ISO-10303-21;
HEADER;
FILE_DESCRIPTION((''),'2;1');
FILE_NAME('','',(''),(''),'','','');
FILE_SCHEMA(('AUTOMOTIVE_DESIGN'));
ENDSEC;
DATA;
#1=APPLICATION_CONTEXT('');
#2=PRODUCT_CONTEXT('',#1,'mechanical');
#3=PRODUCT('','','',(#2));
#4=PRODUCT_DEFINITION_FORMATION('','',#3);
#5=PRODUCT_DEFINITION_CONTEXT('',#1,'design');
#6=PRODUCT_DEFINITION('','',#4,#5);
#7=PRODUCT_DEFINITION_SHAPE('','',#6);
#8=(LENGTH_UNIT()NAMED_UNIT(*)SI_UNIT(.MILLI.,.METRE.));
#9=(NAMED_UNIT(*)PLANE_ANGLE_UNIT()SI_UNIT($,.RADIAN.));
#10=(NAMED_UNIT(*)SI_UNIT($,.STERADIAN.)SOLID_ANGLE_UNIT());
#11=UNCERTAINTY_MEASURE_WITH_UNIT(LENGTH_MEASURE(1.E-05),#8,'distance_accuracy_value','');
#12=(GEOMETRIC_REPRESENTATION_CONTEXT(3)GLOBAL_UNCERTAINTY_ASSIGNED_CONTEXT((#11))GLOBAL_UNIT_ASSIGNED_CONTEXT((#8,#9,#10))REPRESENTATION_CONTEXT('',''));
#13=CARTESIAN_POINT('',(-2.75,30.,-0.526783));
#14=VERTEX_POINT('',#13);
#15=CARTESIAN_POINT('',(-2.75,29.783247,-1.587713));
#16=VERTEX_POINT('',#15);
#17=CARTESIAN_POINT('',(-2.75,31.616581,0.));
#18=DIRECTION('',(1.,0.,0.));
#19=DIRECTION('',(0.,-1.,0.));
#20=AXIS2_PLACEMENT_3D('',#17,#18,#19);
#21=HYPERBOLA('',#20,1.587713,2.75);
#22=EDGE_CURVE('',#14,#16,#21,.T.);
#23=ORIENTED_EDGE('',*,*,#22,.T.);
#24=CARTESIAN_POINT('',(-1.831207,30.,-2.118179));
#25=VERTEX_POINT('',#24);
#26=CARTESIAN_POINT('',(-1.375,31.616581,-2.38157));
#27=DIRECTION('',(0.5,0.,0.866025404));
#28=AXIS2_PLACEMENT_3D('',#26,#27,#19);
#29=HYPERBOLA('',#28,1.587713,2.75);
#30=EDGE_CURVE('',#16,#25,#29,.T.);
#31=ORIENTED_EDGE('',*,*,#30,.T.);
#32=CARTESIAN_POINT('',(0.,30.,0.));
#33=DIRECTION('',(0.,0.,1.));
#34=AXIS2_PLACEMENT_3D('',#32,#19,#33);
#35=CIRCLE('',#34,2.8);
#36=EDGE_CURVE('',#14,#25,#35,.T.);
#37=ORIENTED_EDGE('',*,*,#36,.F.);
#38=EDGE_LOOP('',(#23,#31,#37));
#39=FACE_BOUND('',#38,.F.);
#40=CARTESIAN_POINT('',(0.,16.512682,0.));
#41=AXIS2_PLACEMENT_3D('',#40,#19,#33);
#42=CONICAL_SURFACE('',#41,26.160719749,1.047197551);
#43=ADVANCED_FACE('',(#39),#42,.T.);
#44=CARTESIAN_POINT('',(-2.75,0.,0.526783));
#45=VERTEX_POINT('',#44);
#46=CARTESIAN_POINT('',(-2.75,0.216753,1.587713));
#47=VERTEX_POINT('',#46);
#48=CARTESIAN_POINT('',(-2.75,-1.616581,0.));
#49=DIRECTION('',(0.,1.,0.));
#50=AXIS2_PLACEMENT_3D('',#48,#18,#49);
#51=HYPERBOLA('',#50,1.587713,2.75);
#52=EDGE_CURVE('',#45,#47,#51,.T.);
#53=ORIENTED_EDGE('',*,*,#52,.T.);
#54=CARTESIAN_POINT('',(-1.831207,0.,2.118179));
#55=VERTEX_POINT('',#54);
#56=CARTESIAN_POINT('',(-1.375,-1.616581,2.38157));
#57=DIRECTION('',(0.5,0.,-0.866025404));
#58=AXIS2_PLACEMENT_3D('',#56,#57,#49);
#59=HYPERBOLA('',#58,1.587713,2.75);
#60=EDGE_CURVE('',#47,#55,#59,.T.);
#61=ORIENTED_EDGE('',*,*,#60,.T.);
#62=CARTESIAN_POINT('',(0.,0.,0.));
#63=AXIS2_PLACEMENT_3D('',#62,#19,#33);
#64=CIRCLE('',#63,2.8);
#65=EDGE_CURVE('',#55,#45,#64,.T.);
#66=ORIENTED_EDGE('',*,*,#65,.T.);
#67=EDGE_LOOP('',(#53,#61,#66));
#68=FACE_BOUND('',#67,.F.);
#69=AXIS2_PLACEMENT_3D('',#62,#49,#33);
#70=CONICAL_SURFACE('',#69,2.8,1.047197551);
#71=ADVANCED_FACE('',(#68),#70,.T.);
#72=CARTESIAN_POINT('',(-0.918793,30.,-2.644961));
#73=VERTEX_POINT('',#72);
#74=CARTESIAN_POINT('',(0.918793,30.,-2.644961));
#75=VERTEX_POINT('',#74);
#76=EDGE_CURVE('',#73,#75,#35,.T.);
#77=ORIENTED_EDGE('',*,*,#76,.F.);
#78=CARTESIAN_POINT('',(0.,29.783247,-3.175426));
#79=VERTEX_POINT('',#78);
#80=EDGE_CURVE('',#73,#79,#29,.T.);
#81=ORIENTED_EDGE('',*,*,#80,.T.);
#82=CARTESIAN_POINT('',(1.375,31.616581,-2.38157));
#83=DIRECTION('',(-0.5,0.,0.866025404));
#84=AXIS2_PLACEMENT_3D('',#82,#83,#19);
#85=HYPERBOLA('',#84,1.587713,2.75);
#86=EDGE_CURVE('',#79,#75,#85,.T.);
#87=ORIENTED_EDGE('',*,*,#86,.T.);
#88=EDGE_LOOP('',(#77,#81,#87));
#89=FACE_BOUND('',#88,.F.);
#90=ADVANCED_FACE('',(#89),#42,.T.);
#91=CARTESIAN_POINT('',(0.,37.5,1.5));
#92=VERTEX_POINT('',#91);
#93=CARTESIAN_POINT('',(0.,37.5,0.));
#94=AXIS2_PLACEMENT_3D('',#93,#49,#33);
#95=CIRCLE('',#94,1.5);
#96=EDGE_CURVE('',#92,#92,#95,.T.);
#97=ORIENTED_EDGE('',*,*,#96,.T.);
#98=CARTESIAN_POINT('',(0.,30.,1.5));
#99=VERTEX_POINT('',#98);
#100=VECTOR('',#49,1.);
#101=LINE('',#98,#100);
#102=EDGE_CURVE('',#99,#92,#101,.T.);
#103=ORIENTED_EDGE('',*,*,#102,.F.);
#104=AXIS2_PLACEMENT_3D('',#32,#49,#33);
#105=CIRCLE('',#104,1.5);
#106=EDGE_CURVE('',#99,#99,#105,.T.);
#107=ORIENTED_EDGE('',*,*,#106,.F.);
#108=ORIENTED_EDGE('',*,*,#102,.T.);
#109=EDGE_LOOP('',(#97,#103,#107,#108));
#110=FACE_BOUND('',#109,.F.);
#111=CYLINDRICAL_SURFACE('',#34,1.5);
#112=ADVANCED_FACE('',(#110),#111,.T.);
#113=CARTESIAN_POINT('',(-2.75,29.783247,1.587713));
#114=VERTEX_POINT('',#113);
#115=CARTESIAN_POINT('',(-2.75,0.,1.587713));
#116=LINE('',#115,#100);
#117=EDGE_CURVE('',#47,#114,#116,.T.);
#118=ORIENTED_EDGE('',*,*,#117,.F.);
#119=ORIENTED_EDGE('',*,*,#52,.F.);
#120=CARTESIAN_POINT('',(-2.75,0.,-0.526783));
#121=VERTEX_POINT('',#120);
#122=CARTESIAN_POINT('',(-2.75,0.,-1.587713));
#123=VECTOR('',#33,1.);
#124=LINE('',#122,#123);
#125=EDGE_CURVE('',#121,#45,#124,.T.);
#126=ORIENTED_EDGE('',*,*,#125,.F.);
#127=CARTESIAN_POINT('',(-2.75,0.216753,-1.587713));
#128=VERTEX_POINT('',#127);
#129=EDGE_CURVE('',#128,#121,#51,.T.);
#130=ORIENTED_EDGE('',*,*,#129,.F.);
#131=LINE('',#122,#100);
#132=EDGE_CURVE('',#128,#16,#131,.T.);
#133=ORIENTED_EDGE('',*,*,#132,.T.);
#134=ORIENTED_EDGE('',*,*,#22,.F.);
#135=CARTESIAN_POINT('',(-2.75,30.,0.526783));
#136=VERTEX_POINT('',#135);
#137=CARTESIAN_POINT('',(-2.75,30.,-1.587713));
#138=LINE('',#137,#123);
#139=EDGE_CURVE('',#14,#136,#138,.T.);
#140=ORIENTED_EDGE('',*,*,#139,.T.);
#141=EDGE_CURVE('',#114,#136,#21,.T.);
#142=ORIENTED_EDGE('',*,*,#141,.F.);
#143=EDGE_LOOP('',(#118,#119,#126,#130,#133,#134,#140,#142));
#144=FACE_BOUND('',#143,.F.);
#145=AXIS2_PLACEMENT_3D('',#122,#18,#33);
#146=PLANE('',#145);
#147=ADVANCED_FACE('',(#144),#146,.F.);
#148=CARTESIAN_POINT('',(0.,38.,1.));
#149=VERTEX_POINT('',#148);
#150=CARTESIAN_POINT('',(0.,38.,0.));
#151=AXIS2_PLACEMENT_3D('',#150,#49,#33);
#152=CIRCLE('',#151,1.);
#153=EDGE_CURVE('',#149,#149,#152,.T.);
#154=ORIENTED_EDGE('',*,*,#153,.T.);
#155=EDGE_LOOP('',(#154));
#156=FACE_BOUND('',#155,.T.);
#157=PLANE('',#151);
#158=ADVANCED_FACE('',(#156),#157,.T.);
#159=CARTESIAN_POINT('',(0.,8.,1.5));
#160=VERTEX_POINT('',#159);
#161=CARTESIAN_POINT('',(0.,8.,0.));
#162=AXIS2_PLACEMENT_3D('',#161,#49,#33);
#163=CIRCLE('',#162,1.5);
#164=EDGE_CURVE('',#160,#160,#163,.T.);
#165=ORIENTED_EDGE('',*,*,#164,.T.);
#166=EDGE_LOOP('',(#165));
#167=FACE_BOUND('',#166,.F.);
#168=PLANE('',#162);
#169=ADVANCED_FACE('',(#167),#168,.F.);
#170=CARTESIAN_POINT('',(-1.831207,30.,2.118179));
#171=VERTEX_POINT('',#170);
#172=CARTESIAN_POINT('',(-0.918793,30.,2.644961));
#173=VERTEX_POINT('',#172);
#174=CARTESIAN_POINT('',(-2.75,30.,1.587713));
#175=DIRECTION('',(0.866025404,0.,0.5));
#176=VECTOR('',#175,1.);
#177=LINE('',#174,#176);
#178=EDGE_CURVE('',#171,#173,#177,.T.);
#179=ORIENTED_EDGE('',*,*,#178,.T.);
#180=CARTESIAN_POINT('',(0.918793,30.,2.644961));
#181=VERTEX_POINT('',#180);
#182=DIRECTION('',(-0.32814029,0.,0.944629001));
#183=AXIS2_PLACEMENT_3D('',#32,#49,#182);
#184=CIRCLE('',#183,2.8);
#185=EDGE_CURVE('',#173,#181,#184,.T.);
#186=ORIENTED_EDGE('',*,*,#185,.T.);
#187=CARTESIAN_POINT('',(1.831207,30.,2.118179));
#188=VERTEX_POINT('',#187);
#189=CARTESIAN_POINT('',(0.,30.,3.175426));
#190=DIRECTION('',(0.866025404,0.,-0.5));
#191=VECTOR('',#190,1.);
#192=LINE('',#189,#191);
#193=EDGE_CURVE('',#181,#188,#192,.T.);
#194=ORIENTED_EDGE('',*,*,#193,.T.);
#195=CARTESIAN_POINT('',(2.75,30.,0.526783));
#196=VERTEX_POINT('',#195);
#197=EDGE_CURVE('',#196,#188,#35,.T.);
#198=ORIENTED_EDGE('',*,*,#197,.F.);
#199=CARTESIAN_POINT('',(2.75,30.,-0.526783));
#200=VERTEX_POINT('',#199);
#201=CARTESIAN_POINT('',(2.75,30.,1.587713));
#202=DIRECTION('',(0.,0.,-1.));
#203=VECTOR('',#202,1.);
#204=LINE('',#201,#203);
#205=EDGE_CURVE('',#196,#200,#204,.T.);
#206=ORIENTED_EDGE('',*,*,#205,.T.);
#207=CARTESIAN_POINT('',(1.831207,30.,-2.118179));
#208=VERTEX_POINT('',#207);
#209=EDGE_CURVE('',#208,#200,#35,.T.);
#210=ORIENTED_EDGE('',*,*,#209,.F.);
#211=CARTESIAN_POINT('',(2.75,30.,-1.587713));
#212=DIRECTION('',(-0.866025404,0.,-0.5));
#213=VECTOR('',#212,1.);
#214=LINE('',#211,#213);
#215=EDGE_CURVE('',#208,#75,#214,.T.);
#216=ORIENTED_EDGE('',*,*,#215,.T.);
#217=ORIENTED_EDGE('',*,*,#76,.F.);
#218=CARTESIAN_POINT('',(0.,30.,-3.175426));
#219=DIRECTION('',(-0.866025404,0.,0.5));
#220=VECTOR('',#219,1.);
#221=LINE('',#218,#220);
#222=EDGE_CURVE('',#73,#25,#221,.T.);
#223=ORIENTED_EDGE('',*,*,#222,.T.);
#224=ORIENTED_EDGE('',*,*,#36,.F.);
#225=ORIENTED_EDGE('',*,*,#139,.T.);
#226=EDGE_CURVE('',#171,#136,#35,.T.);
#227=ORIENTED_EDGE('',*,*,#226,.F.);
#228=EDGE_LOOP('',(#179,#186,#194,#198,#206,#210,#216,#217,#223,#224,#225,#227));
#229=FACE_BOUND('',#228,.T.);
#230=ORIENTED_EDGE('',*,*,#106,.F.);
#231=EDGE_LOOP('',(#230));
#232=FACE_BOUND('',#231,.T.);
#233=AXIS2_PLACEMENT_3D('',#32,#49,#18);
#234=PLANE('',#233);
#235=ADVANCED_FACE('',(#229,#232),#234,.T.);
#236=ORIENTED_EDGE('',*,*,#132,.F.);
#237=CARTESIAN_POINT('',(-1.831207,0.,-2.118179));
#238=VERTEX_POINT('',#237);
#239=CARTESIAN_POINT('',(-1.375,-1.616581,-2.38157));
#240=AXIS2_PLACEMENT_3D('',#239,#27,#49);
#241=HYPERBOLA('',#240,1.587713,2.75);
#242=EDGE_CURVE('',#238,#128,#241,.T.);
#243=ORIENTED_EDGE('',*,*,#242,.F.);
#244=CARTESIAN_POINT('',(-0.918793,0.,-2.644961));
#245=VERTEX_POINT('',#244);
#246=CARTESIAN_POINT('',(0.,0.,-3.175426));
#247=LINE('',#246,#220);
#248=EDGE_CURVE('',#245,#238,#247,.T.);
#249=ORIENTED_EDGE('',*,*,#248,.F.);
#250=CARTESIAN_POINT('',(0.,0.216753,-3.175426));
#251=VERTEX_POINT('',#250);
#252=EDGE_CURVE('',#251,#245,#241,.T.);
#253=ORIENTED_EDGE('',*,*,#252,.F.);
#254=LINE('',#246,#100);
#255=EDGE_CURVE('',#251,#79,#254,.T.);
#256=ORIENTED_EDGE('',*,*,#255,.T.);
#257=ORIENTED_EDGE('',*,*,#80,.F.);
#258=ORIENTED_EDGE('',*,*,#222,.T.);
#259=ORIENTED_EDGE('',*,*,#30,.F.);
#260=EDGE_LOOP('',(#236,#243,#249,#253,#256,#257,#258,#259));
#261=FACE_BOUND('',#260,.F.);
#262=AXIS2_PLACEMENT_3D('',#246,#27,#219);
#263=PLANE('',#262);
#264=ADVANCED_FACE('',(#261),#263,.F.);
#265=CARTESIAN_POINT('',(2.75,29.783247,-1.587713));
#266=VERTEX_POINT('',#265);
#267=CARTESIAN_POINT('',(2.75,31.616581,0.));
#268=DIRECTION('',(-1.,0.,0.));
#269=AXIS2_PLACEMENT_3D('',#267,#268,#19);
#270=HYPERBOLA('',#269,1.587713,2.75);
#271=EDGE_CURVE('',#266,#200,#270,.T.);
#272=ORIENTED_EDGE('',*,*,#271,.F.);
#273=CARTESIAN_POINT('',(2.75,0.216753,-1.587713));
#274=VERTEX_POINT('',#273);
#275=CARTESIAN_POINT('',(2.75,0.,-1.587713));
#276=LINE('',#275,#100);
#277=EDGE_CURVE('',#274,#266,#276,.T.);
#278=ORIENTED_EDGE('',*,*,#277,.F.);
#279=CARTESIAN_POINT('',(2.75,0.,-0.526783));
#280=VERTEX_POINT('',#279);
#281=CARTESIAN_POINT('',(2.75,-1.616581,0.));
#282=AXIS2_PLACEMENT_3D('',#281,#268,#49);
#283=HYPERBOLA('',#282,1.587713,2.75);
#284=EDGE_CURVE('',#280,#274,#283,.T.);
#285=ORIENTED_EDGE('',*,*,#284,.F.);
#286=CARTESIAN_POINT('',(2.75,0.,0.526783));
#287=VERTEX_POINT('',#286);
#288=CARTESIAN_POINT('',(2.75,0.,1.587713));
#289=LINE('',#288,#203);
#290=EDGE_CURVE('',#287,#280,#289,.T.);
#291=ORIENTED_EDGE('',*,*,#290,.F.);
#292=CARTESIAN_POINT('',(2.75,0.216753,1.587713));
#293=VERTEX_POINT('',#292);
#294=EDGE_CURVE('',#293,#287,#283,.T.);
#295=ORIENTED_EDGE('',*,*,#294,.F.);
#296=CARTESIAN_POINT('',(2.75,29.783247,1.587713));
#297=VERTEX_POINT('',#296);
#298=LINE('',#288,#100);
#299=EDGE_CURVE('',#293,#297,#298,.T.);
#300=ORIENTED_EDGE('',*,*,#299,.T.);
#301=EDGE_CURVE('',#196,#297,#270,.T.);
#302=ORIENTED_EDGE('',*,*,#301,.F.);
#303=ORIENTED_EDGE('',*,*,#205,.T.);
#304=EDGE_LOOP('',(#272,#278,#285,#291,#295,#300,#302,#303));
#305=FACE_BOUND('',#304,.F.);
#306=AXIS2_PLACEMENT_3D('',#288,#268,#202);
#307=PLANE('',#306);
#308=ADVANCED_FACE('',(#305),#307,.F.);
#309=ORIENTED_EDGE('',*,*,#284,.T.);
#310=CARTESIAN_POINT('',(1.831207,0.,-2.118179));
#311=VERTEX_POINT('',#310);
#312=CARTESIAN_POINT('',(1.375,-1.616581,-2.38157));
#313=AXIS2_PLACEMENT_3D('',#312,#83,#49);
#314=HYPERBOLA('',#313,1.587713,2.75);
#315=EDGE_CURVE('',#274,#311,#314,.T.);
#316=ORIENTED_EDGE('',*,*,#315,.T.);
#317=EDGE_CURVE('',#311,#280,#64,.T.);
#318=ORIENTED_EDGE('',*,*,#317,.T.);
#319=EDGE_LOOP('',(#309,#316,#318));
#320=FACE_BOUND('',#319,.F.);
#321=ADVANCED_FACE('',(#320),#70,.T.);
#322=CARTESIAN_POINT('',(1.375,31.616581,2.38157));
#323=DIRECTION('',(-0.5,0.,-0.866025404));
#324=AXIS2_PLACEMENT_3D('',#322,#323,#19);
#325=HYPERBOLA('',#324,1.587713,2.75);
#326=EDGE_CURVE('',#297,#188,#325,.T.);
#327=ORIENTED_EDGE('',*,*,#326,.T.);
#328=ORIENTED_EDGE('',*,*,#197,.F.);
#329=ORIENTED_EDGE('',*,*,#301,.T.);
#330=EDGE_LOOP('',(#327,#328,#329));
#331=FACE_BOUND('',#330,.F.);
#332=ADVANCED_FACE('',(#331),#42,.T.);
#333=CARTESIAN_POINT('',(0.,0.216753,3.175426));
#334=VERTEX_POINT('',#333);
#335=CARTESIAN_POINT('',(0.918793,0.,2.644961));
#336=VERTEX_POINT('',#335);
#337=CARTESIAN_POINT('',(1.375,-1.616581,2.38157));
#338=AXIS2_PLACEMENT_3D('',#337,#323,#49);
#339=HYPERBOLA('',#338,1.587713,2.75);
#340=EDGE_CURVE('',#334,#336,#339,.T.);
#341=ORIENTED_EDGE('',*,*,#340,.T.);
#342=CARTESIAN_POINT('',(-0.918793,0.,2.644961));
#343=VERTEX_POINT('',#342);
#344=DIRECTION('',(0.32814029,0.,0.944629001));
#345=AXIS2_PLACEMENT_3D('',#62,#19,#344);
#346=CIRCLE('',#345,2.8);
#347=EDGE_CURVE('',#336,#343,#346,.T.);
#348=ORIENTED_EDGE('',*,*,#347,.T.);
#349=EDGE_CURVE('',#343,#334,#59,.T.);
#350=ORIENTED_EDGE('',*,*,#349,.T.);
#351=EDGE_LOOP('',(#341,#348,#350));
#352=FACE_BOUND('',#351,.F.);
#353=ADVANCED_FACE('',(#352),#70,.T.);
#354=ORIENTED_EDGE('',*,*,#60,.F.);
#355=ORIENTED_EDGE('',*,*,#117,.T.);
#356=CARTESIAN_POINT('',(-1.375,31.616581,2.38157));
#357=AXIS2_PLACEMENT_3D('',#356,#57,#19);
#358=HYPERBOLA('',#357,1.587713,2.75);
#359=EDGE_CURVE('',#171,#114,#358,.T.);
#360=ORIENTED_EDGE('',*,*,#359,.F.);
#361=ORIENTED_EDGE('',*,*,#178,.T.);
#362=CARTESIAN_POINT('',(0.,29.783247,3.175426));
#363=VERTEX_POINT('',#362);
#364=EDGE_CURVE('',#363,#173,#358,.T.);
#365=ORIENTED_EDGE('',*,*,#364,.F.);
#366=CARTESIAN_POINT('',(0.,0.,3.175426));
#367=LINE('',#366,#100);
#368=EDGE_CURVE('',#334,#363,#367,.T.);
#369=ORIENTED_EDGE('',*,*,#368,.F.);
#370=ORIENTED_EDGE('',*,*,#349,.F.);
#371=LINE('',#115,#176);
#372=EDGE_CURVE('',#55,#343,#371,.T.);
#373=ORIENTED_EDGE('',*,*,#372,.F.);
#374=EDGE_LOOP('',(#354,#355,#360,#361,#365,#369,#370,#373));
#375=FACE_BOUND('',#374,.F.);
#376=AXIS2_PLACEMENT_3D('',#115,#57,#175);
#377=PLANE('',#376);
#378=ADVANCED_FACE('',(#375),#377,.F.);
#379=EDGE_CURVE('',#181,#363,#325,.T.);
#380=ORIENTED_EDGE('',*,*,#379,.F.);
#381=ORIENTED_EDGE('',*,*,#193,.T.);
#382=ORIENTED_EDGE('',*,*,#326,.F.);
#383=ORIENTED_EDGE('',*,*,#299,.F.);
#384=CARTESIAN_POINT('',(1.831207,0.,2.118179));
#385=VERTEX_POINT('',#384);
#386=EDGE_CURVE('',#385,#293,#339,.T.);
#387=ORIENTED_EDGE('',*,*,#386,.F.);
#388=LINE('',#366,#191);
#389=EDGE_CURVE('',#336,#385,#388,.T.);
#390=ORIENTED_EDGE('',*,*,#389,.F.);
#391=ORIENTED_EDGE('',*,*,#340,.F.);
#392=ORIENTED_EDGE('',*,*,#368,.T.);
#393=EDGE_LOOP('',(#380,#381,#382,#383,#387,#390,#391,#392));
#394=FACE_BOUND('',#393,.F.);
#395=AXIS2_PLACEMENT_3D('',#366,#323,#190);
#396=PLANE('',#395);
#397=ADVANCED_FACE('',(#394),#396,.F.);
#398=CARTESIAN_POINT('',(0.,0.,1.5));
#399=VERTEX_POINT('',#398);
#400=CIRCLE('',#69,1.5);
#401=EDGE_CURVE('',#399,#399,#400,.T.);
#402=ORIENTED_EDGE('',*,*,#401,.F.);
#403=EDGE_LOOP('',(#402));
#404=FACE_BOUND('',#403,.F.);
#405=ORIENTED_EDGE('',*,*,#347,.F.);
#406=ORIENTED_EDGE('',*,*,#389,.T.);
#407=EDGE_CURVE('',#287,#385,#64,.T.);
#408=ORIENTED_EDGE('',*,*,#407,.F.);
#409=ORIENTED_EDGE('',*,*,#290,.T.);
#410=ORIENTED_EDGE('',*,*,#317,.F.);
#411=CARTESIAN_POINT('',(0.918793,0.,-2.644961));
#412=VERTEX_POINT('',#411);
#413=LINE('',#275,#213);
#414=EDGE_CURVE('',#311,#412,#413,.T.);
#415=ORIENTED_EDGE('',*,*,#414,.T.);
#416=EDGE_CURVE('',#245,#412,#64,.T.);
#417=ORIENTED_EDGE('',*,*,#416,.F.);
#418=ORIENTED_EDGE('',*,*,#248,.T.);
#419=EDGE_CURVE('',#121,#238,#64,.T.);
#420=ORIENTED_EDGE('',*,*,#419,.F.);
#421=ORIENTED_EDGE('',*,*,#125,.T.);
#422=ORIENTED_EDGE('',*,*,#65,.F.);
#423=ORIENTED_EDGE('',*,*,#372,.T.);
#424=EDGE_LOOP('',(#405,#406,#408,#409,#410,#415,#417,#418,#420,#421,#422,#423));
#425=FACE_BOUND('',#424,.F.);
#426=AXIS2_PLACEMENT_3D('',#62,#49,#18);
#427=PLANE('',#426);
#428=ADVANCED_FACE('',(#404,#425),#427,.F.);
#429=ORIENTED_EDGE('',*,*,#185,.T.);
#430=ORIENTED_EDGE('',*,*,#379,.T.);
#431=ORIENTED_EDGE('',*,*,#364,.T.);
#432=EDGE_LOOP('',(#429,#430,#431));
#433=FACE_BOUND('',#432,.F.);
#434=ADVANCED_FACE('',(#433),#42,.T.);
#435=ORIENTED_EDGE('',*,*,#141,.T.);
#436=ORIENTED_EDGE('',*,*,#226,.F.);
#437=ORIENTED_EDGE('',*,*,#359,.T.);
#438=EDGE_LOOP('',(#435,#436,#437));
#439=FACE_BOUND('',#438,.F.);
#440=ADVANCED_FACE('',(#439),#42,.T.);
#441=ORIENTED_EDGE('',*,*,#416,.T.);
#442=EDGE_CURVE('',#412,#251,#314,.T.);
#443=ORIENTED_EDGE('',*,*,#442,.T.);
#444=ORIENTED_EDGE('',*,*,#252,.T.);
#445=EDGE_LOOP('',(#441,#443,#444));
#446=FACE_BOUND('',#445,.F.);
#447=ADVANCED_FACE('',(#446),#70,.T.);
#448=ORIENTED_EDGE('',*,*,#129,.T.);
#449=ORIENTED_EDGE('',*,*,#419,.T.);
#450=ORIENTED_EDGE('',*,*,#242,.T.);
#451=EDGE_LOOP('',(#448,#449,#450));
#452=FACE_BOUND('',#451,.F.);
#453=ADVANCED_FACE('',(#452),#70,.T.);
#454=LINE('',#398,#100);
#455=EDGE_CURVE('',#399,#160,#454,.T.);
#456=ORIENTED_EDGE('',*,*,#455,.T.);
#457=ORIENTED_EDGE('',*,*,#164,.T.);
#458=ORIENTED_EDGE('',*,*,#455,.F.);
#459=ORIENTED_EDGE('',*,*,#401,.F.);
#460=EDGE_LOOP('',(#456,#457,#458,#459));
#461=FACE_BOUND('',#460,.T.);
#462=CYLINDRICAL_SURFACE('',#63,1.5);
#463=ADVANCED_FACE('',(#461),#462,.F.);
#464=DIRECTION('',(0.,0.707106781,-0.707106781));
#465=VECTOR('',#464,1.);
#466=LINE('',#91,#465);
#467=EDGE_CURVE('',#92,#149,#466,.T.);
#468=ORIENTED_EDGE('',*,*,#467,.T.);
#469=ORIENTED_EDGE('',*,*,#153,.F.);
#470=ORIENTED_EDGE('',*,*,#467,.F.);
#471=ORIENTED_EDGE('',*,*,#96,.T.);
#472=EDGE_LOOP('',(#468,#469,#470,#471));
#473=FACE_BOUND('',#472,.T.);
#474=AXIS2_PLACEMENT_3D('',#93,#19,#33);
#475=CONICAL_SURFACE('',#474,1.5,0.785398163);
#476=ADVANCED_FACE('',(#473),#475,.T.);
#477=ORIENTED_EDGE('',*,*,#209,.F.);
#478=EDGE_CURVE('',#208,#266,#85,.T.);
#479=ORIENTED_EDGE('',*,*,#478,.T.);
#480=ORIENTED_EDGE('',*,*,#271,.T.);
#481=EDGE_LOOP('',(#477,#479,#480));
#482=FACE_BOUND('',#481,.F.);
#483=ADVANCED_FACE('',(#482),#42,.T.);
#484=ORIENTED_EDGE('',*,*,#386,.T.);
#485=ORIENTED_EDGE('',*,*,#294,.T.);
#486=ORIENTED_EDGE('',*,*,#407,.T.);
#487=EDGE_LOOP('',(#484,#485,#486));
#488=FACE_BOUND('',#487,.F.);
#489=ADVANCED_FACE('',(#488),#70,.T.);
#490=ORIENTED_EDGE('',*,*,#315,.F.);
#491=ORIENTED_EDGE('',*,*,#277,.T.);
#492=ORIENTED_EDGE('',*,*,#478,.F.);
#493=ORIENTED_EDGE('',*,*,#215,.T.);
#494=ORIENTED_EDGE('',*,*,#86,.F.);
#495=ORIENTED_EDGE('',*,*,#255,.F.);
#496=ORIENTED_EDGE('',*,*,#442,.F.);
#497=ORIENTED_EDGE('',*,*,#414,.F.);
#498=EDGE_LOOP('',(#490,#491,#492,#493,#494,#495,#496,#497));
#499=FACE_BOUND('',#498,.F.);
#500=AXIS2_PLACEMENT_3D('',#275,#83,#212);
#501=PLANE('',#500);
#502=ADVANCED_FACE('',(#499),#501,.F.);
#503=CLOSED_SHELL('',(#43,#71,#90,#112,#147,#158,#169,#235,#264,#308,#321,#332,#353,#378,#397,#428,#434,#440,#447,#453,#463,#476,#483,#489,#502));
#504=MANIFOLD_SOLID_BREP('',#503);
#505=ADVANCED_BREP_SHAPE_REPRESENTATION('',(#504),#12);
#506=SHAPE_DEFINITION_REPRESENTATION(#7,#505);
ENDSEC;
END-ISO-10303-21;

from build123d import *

# Parameters (mm, degrees)
EXTRUDE_1_DEPTH     = 30
SKETCH_3_R          = 1.5
EXTRUDE_2_DEPTH     = 8
CHAMFER_1_SIZE      = 0.5
SKETCH_1_3_R        = 1.5
CUT_EXTRUDE_1_DEPTH = 8


with BuildPart() as part:
    # Эскиз1 → Бобышка-Вытянуть1 (new body)
    with BuildSketch(Plane(origin=(0, 0, 0), x_dir=(1, 0, 0), z_dir=(0, 1, 0))):
        Polygon((2.75, 1.58771324), (0, 3.175426481), (-2.75, 1.58771324), (-2.75, -1.58771324), (0, -3.175426481), (2.75, -1.58771324), align=None)
    extrude(amount=EXTRUDE_1_DEPTH)

    # Эскиз2 → Вырез-Повернуть1 (revolve, cut)
    with BuildSketch(Plane(origin=(0, 0, 0), x_dir=(0, 0, -1), z_dir=(1, 0, 0))):
        Polygon((-26.160719749, 0), (-2.8, 0), (-26.160719749, 13.487317835), align=None)
        Polygon((-26.160719749, 16.512682165), (-2.8, 30), (-26.160719749, 30), align=None)
    revolve(axis=Axis((0, 30, 0), (0, -1, 0)), mode=Mode.SUBTRACT)

    # Эскиз3 → Бобышка-Вытянуть2 (add)
    with BuildSketch(Plane(origin=(0, 30, 0), x_dir=(1, 0, 0), z_dir=(0, 1, 0))):
        Circle(SKETCH_3_R)
    extrude(amount=EXTRUDE_2_DEPTH)

    # Фаска1
    chamfer_1_edges = [part.edges().sort_by_distance(p)[0] for p in [
        (-1.5, 38, 0),
    ]]
    chamfer(chamfer_1_edges, length=CHAMFER_1_SIZE)

    # Эскиз1<3> → Вырез-Вытянуть1 (cut)
    with BuildSketch(Plane(origin=(0, 0, 0), x_dir=(1, 0, 0), z_dir=(0, 1, 0))):
        Circle(SKETCH_1_3_R)
    extrude(amount=CUT_EXTRUDE_1_DEPTH, mode=Mode.SUBTRACT)


solid = part.part
